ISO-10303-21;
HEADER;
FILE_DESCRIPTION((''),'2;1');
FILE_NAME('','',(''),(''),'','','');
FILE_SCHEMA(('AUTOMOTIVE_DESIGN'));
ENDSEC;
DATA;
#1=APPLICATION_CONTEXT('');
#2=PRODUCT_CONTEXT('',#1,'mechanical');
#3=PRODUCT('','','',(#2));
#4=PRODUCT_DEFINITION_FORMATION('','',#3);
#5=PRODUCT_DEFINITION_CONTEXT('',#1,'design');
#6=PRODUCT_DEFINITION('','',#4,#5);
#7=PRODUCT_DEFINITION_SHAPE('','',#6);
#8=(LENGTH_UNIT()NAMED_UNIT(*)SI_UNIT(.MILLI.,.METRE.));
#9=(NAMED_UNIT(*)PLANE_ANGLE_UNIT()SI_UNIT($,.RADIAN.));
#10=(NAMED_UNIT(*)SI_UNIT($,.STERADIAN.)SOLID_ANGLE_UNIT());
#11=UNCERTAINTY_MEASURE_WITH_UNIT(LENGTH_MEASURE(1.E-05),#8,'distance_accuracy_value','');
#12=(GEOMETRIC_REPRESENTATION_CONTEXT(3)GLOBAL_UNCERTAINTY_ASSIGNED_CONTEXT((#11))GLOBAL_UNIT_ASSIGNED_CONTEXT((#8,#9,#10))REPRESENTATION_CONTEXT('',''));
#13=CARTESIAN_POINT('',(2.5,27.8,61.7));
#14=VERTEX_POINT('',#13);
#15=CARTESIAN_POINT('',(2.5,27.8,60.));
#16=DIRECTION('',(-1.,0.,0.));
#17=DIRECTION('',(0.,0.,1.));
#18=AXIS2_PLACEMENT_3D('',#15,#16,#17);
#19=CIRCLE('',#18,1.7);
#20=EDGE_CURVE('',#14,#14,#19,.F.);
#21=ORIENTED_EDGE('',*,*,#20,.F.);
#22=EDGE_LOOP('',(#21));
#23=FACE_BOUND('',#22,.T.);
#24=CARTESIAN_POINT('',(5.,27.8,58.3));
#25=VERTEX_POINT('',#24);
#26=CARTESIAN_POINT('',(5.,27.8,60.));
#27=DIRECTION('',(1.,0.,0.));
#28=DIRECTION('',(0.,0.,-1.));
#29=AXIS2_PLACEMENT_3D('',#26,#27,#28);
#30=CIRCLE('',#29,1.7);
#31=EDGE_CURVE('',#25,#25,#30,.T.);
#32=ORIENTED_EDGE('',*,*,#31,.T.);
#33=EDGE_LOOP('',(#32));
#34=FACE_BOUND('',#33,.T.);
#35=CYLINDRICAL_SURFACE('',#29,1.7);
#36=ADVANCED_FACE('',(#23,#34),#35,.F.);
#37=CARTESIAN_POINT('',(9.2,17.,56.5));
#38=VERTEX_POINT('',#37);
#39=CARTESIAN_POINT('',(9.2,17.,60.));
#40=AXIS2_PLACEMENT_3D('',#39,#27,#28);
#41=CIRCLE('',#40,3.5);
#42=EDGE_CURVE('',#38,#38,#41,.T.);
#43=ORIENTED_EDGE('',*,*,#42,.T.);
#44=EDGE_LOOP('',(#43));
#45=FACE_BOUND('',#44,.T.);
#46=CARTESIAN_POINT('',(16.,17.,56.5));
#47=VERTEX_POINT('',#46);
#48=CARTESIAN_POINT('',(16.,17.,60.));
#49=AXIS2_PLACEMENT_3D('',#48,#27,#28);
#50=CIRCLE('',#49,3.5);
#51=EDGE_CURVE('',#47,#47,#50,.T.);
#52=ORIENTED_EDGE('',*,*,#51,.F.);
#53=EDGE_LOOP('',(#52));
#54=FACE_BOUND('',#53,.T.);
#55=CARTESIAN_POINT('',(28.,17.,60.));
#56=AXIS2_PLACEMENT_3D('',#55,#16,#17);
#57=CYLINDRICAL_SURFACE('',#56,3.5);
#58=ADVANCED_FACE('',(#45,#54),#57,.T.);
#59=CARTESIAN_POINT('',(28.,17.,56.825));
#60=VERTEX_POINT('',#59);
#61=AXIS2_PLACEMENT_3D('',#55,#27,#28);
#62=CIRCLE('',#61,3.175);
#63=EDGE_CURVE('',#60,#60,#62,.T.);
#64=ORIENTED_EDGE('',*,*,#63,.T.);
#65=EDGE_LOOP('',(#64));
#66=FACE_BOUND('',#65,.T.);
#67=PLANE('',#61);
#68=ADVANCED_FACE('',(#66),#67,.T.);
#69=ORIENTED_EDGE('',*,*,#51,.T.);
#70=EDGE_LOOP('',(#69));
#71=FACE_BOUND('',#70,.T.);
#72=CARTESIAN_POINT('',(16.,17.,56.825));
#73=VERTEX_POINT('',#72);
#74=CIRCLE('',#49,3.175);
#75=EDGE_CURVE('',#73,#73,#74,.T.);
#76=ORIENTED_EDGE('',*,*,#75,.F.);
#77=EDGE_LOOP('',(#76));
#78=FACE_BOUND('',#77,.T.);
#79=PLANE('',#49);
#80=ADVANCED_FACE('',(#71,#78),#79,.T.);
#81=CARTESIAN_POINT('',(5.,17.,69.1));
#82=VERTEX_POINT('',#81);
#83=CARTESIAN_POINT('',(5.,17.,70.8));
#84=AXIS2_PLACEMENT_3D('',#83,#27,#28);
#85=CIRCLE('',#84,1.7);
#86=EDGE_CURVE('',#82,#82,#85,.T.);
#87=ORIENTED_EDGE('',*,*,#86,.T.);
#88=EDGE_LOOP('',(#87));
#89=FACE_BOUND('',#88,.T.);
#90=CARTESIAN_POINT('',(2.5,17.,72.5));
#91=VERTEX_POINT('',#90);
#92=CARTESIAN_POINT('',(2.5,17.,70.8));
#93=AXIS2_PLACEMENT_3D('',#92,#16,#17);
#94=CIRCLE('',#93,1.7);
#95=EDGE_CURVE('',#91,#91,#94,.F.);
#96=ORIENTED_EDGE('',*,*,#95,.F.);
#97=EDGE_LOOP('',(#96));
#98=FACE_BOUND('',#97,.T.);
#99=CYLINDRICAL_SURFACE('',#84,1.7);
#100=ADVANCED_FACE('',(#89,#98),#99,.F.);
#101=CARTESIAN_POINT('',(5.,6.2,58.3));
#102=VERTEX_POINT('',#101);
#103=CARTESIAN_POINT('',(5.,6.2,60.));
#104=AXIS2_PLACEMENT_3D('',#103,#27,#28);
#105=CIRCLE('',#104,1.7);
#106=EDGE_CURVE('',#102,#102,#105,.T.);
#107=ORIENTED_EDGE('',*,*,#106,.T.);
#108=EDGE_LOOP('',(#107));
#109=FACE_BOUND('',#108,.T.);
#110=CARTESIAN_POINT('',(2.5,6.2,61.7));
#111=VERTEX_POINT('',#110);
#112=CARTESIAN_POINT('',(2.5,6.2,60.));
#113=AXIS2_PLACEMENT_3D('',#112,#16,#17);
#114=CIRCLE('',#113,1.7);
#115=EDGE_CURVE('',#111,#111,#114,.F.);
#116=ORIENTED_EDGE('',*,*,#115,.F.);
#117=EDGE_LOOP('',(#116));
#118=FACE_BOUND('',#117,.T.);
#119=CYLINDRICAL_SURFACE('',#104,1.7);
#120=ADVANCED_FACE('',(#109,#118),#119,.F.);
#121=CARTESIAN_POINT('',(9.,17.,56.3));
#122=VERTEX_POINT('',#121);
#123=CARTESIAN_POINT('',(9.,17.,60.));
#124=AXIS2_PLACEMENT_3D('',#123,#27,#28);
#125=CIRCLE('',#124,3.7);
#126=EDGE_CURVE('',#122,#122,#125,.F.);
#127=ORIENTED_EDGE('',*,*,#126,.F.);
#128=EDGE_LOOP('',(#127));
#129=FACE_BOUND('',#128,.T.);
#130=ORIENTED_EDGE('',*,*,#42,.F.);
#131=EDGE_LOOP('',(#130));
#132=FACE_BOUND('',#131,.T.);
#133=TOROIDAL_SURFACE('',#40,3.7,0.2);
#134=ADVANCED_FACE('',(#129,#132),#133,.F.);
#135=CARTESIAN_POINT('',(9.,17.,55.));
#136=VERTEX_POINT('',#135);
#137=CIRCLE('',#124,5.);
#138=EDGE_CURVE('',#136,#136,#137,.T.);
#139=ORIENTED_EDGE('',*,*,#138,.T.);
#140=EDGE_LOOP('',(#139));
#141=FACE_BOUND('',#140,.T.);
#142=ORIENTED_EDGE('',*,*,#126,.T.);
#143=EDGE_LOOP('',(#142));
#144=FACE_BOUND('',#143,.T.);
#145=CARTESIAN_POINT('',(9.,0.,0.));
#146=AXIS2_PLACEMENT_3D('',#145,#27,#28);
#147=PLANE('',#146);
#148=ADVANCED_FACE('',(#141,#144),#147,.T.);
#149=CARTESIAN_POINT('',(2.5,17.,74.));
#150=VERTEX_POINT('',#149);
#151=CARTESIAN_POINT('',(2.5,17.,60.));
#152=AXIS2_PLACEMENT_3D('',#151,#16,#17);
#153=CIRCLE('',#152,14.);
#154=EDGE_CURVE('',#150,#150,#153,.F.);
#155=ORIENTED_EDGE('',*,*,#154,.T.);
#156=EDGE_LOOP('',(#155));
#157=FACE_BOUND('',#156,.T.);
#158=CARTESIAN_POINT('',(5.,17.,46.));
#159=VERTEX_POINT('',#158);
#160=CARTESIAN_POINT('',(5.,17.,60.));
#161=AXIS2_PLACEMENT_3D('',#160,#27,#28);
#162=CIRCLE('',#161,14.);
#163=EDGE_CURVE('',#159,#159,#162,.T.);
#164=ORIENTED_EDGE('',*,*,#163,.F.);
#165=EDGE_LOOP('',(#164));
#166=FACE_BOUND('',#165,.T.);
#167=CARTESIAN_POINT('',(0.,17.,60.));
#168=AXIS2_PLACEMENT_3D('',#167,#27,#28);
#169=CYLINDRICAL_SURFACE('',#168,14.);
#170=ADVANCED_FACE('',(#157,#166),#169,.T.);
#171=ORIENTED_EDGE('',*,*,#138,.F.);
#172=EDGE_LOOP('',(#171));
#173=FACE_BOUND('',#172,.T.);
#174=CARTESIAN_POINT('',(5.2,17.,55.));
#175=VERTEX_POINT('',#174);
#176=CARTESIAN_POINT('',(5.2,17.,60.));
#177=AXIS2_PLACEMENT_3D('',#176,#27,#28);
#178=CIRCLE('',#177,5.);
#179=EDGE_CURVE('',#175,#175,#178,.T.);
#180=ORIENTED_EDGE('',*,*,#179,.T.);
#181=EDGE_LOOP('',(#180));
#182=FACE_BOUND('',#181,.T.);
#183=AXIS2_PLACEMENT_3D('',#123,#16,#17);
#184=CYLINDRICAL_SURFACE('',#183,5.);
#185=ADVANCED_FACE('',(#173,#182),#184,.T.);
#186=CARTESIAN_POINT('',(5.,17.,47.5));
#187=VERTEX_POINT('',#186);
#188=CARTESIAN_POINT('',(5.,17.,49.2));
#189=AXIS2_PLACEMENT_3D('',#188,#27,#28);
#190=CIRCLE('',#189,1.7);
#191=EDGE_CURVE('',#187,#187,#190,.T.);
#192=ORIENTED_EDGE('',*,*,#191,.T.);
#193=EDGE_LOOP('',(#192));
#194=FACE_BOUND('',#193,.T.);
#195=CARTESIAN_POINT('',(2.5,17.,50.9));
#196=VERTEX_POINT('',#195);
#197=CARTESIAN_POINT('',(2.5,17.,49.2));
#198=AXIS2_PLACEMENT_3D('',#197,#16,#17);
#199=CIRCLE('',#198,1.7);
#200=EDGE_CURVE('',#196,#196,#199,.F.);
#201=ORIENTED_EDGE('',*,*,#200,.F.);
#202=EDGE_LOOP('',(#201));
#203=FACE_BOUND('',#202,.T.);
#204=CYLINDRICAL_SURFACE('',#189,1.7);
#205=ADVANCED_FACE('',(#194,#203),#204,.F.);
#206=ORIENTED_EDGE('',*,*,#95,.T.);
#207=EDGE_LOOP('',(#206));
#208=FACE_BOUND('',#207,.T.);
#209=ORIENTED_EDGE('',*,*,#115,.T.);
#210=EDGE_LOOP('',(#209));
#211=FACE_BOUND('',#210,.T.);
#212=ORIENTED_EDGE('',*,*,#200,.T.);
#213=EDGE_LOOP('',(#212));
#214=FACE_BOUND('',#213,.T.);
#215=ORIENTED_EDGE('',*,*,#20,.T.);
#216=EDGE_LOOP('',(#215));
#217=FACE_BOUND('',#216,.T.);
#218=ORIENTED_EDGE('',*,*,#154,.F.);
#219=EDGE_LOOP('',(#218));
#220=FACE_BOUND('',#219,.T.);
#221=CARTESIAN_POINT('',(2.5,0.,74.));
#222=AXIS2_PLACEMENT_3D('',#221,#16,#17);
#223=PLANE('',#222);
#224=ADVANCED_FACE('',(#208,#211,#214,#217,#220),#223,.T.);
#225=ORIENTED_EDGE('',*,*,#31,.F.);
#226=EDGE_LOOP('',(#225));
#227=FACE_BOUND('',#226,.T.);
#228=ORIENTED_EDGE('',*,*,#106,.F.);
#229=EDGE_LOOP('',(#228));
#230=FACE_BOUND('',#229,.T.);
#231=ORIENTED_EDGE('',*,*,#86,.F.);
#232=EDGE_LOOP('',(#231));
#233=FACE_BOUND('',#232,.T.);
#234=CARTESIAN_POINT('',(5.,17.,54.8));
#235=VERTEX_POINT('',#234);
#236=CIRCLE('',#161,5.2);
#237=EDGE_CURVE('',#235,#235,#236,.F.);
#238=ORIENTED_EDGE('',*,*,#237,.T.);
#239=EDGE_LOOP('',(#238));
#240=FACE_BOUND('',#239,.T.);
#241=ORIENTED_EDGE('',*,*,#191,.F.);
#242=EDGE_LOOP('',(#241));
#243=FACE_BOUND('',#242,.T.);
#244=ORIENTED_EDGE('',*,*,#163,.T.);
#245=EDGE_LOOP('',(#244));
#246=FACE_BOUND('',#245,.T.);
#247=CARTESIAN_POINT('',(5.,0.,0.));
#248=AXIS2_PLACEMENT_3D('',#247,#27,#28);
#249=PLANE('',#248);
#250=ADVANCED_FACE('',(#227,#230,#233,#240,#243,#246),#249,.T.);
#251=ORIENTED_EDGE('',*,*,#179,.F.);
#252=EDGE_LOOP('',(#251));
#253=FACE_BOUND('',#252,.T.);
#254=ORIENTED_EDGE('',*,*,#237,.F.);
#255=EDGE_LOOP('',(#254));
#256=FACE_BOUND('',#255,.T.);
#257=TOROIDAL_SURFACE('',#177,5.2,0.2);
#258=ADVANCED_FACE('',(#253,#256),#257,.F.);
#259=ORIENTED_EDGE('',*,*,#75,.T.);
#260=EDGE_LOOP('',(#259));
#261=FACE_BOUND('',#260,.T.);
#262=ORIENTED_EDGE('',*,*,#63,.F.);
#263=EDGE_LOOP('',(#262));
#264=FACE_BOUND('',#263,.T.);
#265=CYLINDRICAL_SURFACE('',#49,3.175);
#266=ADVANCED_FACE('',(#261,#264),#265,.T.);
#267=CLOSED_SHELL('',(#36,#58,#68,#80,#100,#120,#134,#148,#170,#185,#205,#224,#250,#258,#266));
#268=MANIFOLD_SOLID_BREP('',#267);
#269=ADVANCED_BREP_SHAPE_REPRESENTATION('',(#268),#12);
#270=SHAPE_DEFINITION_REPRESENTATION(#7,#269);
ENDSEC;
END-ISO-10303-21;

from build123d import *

# Parameters (mm, degrees)
SKETCH1_W                = 120
SKETCH1_H                = 34
BOSS_EXTRUDE1_DEPTH      = 5
BOSS_EXTRUDE2_DEPTH      = 4
SKETCH3_R                = 3.5
BOSS_EXTRUDE3_DEPTH      = 19
SKETCH4_R                = 3.5
SKETCH4_R_2              = 3.175
CUT_EXTRUDE1_DEPTH       = 12
FILLET1_R                = 0.2
SKETCH5_W                = 120
SKETCH5_H                = 34
SKETCH5_R                = 14
CUT_EXTRUDE2_DEPTH       = 6
M3_CLEARANCE_HOLE1_D     = 3.4
M3_CLEARANCE_HOLE1_DEPTH = 15
M3_CLEARANCE_HOLE1_TIP   = 1.021463052
SKETCH9_W                = 2.5
SKETCH9_H                = 28
CUT_EXTRUDE6_DEPTH       = 29


with BuildPart() as part:
    # Sketch1 → Boss-Extrude1 (new body)
    with BuildSketch(Plane(origin=(0, 0, 0), x_dir=(0, 0, -1), z_dir=(1, 0, 0))):
        with Locations((-60, 17)):
            Rectangle(SKETCH1_W, SKETCH1_H)
    extrude(amount=BOSS_EXTRUDE1_DEPTH)

    # Sketch2 → Boss-Extrude2 (add)
    with BuildSketch(Plane(origin=(5, 0, 0), x_dir=(0, 0, -1), z_dir=(1, 0, 0))):
        with BuildLine():
            ThreePointArc((-55, 17), (-56.464466094, 20.535533906), (-60, 22))
            Line((-60, 22), (-60, 12))
            ThreePointArc((-60, 12), (-56.464466094, 13.464466094), (-55, 17))
        make_face()
        with BuildLine():
            Line((-60, 12), (-60, 22))
            ThreePointArc((-60, 22), (-65, 17), (-60, 12))
        make_face()
    extrude(amount=BOSS_EXTRUDE2_DEPTH)

    # Sketch3 → Boss-Extrude3 (add)
    with BuildSketch(Plane(origin=(9, 0, 0), x_dir=(0, 0, -1), z_dir=(1, 0, 0))):
        with Locations((-60, 17)):
            Circle(SKETCH3_R)
    extrude(amount=BOSS_EXTRUDE3_DEPTH)

    # Sketch4 → Cut-Extrude1 (cut)
    with BuildSketch(Plane(origin=(28, 0, 0), x_dir=(0, 0, -1), z_dir=(1, 0, 0))):
        with Locations((-60, 17)):
            Circle(SKETCH4_R)
        with Locations((-60, 17)):
            Circle(SKETCH4_R_2, mode=Mode.SUBTRACT)
    extrude(amount=-CUT_EXTRUDE1_DEPTH, mode=Mode.SUBTRACT)

    # Fillet1
    fillet1_edges = [part.edges().sort_by_distance(p)[0] for p in [
        (5, 12, 60),
        (9, 17, 63.5),
    ]]
    fillet(fillet1_edges, radius=FILLET1_R)

    # Sketch5 → Cut-Extrude2 (cut, through all)
    with BuildSketch(Plane(origin=(5, 0, 0), x_dir=(0, 0, -1), z_dir=(1, 0, 0))):
        with Locations((-60, 17)):
            Rectangle(SKETCH5_W, SKETCH5_H)
        with Locations((-60, 17)):
            Circle(SKETCH5_R, mode=Mode.SUBTRACT)
    extrude(amount=-CUT_EXTRUDE2_DEPTH, mode=Mode.SUBTRACT)

    # M3 Clearance Hole1
    with Locations(Plane(origin=(5, 0, 0), x_dir=(0, 0, -1), z_dir=(1, 0, 0))):
        with Locations((-60, 27.8), (-49.2, 17), (-60, 6.2), (-70.8, 17)):
            Hole(M3_CLEARANCE_HOLE1_D / 2, depth=M3_CLEARANCE_HOLE1_DEPTH)
            with Locations((0, 0, -(M3_CLEARANCE_HOLE1_DEPTH + M3_CLEARANCE_HOLE1_TIP / 2))):  # 118° drill point
                Cone(0, M3_CLEARANCE_HOLE1_D / 2, M3_CLEARANCE_HOLE1_TIP, mode=Mode.SUBTRACT)

    # Sketch9 → Cut-Extrude6 (cut, through all)
    with BuildSketch(Plane(origin=(0, 0, 46), x_dir=(-1, 0, 0), z_dir=(0, 0, -1))):
        with Locations((-1.25, 17)):
            Rectangle(SKETCH9_W, SKETCH9_H)
    extrude(amount=-CUT_EXTRUDE6_DEPTH, mode=Mode.SUBTRACT)


solid = part.part
